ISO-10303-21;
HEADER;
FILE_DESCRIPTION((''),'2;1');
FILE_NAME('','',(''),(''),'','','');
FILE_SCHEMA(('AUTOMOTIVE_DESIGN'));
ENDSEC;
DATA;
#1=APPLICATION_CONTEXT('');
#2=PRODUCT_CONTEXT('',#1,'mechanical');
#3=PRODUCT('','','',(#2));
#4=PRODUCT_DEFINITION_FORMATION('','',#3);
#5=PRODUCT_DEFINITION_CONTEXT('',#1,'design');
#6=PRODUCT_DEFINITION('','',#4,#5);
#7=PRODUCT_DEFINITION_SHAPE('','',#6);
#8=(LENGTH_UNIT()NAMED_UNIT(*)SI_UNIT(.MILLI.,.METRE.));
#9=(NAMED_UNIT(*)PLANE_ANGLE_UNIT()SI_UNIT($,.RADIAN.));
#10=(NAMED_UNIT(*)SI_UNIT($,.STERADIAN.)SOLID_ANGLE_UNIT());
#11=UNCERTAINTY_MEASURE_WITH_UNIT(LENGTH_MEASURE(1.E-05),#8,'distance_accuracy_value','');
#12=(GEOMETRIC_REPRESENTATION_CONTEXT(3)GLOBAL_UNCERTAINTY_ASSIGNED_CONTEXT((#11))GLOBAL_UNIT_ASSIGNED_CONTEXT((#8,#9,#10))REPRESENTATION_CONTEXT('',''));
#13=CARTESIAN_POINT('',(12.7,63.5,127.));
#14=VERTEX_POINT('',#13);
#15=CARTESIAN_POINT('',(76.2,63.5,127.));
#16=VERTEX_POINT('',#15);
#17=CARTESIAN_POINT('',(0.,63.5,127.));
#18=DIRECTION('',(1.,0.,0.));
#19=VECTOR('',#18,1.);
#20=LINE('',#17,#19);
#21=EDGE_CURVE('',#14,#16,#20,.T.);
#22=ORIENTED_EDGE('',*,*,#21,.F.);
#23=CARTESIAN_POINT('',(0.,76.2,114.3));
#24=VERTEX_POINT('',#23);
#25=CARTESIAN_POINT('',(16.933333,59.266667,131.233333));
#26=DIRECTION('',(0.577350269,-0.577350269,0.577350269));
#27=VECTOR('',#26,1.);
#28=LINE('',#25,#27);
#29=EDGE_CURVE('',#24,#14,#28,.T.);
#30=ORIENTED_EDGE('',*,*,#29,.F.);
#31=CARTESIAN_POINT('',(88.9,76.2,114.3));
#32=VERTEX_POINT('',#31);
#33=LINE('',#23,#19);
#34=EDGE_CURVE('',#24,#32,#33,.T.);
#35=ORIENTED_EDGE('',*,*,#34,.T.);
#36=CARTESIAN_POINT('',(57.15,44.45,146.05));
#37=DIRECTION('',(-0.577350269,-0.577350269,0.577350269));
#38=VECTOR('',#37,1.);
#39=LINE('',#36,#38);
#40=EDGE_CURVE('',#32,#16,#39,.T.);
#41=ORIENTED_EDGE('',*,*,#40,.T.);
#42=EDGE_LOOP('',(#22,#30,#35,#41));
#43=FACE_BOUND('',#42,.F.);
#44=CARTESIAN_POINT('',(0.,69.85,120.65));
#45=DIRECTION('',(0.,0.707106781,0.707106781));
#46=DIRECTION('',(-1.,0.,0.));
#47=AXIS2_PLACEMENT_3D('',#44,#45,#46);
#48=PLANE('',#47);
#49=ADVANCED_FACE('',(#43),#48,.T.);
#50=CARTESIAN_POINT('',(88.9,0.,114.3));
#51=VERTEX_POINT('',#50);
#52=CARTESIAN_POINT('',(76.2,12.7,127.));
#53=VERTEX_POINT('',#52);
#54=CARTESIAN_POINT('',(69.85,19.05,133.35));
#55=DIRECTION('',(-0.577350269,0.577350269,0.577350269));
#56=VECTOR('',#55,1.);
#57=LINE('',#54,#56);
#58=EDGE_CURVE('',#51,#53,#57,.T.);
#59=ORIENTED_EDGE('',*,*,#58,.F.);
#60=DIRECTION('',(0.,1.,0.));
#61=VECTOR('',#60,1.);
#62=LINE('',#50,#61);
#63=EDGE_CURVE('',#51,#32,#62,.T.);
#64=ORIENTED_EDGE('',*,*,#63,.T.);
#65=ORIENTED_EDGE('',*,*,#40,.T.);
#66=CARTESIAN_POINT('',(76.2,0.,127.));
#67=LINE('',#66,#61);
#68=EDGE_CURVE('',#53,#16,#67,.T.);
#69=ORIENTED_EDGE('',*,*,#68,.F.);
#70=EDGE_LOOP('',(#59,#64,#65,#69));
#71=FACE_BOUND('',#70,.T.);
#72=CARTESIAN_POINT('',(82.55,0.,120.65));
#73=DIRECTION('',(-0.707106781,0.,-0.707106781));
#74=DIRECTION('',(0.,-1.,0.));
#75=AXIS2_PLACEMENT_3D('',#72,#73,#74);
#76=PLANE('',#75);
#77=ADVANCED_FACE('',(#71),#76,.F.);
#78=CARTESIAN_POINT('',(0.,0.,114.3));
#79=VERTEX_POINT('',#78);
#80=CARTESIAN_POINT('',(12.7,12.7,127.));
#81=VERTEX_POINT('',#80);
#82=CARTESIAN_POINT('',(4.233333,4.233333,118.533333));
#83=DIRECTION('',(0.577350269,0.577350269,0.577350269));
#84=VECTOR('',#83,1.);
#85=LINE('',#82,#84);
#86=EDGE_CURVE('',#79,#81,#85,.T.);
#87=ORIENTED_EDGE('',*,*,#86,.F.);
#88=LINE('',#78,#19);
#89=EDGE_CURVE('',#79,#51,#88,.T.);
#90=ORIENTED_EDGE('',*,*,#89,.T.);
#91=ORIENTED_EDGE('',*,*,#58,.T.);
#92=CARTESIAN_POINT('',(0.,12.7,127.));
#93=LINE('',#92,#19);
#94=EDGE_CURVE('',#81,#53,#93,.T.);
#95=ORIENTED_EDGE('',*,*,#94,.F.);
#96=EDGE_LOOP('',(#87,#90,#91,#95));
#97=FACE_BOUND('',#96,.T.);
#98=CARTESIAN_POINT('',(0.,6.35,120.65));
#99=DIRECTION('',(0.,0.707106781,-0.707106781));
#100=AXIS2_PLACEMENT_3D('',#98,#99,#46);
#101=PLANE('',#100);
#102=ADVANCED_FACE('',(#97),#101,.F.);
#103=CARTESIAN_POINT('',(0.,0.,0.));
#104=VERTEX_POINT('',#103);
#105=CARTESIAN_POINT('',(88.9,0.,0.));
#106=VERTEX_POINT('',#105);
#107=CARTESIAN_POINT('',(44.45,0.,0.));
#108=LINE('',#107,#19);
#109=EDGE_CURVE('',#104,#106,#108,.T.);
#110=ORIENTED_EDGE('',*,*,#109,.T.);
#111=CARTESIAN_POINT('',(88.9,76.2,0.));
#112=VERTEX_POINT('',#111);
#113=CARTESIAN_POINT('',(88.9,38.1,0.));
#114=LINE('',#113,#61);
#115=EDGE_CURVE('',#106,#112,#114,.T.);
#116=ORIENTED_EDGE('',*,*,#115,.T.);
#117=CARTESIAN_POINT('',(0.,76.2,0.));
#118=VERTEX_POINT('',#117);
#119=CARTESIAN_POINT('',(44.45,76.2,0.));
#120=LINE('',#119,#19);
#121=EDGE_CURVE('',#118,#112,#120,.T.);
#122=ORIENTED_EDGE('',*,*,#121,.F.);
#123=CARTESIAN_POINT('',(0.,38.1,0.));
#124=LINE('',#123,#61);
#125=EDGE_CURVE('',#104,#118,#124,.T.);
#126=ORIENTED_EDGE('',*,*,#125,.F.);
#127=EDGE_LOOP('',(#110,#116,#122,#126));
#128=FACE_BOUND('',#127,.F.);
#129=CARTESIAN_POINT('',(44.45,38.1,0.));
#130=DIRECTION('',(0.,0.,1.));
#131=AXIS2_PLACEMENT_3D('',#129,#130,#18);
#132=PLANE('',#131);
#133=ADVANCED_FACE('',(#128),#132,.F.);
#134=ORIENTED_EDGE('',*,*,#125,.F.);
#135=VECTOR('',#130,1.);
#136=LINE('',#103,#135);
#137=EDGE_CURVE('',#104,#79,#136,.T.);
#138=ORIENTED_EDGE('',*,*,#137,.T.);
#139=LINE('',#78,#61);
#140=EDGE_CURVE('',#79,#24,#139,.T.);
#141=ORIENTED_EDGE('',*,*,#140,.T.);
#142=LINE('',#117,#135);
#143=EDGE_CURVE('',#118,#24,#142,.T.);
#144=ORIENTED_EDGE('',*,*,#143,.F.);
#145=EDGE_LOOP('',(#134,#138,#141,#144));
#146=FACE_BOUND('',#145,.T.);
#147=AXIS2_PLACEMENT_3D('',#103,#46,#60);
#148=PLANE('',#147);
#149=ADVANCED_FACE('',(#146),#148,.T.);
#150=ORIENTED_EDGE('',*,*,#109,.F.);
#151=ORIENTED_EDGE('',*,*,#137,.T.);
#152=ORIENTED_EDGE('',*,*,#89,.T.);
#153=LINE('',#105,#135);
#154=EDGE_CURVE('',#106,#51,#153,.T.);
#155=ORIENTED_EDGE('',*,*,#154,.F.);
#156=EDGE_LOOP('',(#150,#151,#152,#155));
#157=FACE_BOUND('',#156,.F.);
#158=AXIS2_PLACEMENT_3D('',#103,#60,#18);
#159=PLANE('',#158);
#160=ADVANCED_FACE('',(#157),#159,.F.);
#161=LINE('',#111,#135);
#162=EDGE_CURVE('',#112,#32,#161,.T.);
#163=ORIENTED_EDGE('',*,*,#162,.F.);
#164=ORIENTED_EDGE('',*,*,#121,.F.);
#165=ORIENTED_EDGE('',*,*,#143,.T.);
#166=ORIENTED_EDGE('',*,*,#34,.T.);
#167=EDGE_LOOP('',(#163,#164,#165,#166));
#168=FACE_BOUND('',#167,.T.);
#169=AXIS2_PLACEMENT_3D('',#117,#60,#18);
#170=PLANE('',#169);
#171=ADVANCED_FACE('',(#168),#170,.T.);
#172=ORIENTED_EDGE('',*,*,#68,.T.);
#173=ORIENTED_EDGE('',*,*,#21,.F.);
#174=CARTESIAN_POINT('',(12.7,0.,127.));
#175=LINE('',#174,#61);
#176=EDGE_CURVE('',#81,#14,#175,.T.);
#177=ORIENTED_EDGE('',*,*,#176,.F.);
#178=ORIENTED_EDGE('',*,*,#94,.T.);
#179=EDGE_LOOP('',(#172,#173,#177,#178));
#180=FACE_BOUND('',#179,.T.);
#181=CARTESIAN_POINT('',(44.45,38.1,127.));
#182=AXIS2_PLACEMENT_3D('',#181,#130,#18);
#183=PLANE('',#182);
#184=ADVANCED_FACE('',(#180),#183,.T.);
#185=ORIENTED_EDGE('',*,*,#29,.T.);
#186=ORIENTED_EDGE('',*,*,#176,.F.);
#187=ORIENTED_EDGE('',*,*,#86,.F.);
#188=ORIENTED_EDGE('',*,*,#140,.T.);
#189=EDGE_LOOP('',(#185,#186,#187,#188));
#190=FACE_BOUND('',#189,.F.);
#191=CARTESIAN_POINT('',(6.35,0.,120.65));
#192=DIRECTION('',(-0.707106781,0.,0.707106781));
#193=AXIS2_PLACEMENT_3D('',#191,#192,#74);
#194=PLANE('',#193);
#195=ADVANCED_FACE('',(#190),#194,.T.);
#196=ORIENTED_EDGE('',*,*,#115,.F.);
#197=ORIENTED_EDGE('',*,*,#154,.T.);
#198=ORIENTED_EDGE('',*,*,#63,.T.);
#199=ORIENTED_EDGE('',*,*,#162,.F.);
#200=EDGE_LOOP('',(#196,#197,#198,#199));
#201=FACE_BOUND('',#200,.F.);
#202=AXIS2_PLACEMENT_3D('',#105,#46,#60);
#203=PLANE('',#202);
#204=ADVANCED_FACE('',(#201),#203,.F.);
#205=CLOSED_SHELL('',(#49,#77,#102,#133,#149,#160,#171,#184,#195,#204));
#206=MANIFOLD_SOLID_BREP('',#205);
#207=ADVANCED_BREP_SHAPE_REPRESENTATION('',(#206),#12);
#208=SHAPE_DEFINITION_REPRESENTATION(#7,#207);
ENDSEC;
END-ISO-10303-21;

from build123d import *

# Parameters (mm, degrees)
F0_W     = 88.9
F0_H     = 76.2
F1_DEPTH = 127
F2_SIZE2 = 12.7
F2_SIZE  = 12.7


with BuildPart() as f1:
    # F0 (on Top) → F1 (new body)
    with BuildSketch(Plane.XY):
        with Locations((44.45, 38.1)):
            Rectangle(F0_W, F0_H)
    extrude(amount=F1_DEPTH)

    # F2
    f2_edges = [f1.edges().sort_by_distance(p)[0] for p in [
        (44.45, 0, 127),
        (88.9, 38.1, 127),
        (44.45, 76.2, 127),
        (0, 38.1, 127),
    ]]
    chamfer(f2_edges, length=F2_SIZE, length2=F2_SIZE2)


solid = f1.part
